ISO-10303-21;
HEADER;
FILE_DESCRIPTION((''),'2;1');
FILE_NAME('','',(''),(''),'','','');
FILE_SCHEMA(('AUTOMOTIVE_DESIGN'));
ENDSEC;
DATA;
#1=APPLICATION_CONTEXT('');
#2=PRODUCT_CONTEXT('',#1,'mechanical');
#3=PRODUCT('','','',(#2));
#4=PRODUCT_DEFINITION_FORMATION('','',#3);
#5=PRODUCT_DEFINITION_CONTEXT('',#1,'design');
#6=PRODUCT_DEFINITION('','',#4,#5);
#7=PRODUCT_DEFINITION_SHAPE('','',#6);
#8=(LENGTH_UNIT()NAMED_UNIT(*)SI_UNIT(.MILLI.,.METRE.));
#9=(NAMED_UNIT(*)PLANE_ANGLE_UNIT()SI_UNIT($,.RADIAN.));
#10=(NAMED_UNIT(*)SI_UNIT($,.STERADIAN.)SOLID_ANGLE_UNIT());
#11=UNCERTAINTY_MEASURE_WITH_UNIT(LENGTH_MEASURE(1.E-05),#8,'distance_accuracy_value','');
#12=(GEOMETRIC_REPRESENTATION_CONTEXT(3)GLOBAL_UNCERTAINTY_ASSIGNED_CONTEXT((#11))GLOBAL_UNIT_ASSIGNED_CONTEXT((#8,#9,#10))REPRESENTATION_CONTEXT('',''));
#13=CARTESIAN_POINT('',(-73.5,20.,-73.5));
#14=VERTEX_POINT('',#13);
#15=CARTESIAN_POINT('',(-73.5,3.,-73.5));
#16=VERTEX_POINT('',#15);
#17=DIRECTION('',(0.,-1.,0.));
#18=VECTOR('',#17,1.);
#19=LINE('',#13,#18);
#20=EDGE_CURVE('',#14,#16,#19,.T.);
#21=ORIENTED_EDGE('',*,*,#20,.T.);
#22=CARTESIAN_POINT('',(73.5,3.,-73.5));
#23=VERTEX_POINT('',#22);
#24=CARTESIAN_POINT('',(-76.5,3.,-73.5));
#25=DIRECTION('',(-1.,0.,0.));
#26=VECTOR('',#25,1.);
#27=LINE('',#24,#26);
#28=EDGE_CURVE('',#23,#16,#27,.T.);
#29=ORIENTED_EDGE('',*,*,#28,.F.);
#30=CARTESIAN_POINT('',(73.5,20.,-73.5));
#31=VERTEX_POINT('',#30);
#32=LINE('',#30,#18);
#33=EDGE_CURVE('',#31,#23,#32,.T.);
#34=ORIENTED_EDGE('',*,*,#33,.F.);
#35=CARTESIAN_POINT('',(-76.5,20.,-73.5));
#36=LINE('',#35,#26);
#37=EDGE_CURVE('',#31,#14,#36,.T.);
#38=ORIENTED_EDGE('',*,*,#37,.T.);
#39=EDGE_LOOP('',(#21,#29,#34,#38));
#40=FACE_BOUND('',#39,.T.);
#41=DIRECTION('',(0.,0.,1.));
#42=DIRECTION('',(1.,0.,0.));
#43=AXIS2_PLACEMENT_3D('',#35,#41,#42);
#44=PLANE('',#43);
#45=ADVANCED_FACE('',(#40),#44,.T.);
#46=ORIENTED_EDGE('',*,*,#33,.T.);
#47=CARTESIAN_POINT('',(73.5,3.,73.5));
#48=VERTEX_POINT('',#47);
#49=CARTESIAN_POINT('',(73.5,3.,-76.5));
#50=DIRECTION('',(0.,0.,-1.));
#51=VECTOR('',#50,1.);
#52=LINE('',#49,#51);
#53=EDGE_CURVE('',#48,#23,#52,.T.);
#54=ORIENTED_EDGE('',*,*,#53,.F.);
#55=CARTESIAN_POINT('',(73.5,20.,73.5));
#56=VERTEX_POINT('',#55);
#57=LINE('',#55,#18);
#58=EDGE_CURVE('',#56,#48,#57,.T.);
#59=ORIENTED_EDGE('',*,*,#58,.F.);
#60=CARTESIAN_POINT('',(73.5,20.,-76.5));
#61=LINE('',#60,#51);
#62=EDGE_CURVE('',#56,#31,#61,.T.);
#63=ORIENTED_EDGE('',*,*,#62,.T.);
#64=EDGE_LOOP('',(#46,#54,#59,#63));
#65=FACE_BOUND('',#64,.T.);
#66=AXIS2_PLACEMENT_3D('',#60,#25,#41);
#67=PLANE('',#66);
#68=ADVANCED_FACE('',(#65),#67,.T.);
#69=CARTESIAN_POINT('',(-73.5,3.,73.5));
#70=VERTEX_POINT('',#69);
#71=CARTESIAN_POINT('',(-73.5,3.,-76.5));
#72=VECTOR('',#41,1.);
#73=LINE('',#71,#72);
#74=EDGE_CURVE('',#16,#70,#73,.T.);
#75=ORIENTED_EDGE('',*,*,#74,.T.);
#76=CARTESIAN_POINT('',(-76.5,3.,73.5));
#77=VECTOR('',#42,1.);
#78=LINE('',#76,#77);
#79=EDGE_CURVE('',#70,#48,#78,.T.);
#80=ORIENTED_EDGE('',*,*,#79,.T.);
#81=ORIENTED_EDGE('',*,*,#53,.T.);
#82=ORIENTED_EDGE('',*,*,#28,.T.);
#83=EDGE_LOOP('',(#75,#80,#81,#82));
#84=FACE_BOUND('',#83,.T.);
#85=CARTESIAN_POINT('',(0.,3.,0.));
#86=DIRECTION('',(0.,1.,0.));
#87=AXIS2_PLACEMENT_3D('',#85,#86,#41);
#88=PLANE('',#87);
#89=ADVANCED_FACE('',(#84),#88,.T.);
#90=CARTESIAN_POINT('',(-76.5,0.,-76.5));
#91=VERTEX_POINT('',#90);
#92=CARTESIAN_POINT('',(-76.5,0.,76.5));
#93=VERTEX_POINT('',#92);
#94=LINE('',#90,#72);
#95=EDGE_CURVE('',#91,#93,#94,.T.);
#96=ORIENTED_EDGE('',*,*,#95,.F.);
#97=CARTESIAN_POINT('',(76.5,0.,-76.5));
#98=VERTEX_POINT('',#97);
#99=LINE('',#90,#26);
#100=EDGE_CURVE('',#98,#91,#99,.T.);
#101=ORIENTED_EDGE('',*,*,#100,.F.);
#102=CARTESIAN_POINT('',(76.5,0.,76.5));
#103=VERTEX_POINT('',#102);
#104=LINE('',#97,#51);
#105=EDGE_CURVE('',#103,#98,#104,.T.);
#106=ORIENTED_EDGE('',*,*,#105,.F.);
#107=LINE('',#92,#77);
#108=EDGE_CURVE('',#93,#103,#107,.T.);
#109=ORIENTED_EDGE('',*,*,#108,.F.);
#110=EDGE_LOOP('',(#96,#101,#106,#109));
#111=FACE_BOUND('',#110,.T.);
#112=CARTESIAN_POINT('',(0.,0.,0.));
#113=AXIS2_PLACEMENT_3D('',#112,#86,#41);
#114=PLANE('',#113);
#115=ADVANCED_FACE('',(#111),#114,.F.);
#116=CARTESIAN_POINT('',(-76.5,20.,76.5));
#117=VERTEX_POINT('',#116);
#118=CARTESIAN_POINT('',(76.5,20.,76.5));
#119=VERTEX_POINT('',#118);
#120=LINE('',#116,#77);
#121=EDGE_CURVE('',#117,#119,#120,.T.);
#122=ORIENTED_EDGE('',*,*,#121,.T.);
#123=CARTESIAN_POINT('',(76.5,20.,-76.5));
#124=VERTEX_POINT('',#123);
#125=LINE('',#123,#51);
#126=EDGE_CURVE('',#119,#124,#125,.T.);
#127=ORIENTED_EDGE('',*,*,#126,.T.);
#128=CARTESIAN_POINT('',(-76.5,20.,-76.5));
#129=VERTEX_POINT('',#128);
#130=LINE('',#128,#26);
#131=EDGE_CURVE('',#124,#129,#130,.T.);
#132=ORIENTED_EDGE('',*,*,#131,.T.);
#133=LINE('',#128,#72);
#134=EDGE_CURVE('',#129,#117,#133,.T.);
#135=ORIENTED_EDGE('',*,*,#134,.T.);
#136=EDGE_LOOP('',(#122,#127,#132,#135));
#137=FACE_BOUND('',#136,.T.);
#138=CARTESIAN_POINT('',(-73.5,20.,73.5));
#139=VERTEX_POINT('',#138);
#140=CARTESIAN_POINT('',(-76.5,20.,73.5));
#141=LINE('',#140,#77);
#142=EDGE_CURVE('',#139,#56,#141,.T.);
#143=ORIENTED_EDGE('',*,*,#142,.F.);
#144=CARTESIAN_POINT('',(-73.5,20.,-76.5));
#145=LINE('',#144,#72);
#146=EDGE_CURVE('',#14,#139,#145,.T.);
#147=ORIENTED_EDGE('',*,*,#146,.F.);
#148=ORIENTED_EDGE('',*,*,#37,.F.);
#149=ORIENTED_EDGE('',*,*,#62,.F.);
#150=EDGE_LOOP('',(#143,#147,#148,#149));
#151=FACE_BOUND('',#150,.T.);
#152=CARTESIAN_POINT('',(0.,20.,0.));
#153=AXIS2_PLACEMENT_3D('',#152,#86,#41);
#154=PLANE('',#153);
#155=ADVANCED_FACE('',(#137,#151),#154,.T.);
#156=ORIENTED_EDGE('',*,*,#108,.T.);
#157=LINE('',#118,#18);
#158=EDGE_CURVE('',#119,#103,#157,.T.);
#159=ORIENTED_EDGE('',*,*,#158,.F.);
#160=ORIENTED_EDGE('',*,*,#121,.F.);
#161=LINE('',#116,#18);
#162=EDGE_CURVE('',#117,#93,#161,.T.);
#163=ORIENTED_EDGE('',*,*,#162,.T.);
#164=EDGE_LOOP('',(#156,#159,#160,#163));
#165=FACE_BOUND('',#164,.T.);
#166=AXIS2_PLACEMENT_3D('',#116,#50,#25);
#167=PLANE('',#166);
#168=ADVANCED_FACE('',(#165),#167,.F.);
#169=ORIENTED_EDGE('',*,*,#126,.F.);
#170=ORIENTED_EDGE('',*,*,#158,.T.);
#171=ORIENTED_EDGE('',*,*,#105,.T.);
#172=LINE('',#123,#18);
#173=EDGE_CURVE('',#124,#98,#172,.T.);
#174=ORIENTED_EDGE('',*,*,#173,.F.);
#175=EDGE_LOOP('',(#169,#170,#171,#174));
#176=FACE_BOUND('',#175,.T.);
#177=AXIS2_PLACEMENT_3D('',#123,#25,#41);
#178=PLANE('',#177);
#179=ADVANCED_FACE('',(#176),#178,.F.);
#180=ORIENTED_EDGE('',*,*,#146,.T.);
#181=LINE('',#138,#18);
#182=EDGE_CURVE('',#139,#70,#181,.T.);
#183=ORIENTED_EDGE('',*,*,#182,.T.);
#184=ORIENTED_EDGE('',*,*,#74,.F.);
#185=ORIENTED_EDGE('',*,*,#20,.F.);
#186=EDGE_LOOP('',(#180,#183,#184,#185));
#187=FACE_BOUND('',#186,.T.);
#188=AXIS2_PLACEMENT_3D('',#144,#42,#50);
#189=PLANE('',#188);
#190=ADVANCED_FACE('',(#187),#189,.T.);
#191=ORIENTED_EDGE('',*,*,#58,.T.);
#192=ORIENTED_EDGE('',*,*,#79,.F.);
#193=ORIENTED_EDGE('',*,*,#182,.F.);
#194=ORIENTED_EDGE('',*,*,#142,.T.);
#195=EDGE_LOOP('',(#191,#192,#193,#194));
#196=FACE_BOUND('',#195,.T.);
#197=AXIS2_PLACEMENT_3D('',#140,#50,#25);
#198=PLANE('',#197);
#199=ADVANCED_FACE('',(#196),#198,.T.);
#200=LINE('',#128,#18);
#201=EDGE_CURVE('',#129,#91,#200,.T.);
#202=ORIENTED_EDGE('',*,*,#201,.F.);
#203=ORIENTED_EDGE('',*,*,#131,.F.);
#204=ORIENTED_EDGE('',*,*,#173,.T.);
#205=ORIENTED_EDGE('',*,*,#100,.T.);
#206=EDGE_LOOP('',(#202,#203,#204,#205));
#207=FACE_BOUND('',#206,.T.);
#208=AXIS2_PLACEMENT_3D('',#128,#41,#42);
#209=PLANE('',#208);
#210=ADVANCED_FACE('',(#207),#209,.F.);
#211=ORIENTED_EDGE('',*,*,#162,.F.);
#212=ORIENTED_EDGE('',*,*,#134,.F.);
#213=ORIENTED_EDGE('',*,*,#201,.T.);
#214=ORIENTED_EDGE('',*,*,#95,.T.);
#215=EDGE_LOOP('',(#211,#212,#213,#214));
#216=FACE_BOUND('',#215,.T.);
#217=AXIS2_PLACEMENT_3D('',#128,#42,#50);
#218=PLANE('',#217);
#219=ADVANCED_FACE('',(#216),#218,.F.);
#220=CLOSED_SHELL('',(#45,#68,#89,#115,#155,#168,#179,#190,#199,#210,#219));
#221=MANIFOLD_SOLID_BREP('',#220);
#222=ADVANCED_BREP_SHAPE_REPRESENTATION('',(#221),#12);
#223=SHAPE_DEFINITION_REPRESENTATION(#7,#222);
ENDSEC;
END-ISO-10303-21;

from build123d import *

# Parameters (mm, degrees)
SKETCH_1_W      = 153
SKETCH_1_H      = 153
EXTRUDE_1_DEPTH = 20
SHELL_1_T       = -3


with BuildPart() as part:
    # 草图1 → 凸台-拉伸1 (new body)
    with BuildSketch(Plane(origin=(0, 0, 0), x_dir=(1, 0, 0), z_dir=(0, 1, 0))):
        Rectangle(SKETCH_1_W, SKETCH_1_H)
    extrude(amount=EXTRUDE_1_DEPTH)

    # 抽壳1
    shell_1_openings = [part.faces().sort_by_distance(p)[0] for p in [
        (0, 20, 0),
    ]]
    offset(amount=SHELL_1_T, openings=shell_1_openings, kind=Kind.INTERSECTION)


solid = part.part
